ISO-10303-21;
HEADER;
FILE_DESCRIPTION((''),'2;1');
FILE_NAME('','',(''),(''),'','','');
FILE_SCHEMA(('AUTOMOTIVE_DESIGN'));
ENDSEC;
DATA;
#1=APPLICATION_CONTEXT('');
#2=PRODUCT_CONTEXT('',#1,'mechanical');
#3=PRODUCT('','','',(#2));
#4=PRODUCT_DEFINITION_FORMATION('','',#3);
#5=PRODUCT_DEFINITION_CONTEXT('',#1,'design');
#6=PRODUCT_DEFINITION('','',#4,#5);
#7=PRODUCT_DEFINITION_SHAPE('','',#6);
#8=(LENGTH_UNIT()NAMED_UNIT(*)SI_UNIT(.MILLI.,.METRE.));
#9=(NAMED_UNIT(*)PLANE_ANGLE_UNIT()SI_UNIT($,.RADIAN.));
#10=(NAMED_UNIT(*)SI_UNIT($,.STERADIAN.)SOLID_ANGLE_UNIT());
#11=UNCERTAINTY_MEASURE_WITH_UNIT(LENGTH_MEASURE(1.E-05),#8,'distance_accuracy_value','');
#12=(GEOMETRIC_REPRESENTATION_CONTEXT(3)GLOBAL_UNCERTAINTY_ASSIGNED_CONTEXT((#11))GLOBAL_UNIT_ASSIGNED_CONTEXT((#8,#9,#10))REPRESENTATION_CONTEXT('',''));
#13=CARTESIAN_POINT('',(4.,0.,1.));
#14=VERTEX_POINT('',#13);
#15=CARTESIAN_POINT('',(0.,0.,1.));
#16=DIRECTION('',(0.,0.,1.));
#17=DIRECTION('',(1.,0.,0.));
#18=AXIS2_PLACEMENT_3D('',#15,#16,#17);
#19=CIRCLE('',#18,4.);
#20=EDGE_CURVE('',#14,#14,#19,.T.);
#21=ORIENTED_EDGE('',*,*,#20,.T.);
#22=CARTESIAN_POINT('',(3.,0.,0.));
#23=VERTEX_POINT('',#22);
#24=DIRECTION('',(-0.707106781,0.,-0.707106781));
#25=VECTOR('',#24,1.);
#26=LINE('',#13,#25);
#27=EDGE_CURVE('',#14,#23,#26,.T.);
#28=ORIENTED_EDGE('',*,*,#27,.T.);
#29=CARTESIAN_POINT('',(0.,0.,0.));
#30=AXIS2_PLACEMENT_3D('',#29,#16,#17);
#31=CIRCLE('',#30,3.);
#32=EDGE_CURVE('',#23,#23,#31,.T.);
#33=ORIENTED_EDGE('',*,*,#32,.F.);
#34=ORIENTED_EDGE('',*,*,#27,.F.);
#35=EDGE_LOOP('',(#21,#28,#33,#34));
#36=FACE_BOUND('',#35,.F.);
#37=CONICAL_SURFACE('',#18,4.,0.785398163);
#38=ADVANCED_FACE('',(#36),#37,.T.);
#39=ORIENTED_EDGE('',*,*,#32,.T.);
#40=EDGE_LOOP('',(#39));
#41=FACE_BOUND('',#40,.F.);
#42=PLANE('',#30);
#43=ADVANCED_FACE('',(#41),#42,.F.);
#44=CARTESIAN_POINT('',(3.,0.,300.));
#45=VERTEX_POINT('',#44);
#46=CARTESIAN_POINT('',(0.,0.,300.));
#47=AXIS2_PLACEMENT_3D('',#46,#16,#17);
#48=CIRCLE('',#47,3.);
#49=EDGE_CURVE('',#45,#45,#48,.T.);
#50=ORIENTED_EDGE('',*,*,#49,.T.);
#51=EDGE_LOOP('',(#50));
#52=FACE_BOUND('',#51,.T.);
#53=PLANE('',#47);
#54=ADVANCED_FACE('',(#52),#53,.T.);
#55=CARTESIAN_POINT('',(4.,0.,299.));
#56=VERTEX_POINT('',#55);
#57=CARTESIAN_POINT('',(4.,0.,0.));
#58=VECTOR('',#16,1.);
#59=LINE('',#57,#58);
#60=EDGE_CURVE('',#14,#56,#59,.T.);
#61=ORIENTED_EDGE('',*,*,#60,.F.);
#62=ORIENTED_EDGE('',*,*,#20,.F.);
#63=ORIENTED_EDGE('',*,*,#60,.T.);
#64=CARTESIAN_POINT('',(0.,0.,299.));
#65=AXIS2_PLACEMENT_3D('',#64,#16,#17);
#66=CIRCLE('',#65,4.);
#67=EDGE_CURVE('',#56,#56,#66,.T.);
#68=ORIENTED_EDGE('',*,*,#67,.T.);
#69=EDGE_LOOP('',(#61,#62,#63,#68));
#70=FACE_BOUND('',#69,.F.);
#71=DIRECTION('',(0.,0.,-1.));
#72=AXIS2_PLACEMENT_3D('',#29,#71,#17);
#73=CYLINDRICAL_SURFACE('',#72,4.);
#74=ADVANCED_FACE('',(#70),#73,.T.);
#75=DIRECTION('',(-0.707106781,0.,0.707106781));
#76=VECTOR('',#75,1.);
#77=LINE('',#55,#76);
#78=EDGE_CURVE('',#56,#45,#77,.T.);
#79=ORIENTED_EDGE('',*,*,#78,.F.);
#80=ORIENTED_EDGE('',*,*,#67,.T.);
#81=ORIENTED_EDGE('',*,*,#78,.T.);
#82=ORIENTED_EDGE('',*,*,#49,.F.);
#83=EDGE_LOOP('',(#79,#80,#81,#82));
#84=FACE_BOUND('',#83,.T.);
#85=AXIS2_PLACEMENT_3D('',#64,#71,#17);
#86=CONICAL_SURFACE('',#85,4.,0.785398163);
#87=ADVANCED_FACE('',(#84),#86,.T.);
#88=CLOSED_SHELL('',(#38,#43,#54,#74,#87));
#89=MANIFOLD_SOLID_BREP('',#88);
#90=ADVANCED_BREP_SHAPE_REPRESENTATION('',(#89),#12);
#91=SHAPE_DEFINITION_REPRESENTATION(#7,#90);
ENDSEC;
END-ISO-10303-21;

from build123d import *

# Parameters (mm, degrees)
SKETCH_R     = 4
PAD_DEPTH    = 300
CHAMFER_SIZE = 1


with BuildPart() as part:
    # Sketch → Pad (new body)
    with BuildSketch(Plane.XY):
        Circle(SKETCH_R)
    extrude(amount=PAD_DEPTH)

    # Chamfer
    chamfer_edges = [part.edges().sort_by_distance(p)[0] for p in [
        (-4, 0, 300),
        (-4, 0, 0),
    ]]
    chamfer(chamfer_edges, length=CHAMFER_SIZE)


solid = part.part
